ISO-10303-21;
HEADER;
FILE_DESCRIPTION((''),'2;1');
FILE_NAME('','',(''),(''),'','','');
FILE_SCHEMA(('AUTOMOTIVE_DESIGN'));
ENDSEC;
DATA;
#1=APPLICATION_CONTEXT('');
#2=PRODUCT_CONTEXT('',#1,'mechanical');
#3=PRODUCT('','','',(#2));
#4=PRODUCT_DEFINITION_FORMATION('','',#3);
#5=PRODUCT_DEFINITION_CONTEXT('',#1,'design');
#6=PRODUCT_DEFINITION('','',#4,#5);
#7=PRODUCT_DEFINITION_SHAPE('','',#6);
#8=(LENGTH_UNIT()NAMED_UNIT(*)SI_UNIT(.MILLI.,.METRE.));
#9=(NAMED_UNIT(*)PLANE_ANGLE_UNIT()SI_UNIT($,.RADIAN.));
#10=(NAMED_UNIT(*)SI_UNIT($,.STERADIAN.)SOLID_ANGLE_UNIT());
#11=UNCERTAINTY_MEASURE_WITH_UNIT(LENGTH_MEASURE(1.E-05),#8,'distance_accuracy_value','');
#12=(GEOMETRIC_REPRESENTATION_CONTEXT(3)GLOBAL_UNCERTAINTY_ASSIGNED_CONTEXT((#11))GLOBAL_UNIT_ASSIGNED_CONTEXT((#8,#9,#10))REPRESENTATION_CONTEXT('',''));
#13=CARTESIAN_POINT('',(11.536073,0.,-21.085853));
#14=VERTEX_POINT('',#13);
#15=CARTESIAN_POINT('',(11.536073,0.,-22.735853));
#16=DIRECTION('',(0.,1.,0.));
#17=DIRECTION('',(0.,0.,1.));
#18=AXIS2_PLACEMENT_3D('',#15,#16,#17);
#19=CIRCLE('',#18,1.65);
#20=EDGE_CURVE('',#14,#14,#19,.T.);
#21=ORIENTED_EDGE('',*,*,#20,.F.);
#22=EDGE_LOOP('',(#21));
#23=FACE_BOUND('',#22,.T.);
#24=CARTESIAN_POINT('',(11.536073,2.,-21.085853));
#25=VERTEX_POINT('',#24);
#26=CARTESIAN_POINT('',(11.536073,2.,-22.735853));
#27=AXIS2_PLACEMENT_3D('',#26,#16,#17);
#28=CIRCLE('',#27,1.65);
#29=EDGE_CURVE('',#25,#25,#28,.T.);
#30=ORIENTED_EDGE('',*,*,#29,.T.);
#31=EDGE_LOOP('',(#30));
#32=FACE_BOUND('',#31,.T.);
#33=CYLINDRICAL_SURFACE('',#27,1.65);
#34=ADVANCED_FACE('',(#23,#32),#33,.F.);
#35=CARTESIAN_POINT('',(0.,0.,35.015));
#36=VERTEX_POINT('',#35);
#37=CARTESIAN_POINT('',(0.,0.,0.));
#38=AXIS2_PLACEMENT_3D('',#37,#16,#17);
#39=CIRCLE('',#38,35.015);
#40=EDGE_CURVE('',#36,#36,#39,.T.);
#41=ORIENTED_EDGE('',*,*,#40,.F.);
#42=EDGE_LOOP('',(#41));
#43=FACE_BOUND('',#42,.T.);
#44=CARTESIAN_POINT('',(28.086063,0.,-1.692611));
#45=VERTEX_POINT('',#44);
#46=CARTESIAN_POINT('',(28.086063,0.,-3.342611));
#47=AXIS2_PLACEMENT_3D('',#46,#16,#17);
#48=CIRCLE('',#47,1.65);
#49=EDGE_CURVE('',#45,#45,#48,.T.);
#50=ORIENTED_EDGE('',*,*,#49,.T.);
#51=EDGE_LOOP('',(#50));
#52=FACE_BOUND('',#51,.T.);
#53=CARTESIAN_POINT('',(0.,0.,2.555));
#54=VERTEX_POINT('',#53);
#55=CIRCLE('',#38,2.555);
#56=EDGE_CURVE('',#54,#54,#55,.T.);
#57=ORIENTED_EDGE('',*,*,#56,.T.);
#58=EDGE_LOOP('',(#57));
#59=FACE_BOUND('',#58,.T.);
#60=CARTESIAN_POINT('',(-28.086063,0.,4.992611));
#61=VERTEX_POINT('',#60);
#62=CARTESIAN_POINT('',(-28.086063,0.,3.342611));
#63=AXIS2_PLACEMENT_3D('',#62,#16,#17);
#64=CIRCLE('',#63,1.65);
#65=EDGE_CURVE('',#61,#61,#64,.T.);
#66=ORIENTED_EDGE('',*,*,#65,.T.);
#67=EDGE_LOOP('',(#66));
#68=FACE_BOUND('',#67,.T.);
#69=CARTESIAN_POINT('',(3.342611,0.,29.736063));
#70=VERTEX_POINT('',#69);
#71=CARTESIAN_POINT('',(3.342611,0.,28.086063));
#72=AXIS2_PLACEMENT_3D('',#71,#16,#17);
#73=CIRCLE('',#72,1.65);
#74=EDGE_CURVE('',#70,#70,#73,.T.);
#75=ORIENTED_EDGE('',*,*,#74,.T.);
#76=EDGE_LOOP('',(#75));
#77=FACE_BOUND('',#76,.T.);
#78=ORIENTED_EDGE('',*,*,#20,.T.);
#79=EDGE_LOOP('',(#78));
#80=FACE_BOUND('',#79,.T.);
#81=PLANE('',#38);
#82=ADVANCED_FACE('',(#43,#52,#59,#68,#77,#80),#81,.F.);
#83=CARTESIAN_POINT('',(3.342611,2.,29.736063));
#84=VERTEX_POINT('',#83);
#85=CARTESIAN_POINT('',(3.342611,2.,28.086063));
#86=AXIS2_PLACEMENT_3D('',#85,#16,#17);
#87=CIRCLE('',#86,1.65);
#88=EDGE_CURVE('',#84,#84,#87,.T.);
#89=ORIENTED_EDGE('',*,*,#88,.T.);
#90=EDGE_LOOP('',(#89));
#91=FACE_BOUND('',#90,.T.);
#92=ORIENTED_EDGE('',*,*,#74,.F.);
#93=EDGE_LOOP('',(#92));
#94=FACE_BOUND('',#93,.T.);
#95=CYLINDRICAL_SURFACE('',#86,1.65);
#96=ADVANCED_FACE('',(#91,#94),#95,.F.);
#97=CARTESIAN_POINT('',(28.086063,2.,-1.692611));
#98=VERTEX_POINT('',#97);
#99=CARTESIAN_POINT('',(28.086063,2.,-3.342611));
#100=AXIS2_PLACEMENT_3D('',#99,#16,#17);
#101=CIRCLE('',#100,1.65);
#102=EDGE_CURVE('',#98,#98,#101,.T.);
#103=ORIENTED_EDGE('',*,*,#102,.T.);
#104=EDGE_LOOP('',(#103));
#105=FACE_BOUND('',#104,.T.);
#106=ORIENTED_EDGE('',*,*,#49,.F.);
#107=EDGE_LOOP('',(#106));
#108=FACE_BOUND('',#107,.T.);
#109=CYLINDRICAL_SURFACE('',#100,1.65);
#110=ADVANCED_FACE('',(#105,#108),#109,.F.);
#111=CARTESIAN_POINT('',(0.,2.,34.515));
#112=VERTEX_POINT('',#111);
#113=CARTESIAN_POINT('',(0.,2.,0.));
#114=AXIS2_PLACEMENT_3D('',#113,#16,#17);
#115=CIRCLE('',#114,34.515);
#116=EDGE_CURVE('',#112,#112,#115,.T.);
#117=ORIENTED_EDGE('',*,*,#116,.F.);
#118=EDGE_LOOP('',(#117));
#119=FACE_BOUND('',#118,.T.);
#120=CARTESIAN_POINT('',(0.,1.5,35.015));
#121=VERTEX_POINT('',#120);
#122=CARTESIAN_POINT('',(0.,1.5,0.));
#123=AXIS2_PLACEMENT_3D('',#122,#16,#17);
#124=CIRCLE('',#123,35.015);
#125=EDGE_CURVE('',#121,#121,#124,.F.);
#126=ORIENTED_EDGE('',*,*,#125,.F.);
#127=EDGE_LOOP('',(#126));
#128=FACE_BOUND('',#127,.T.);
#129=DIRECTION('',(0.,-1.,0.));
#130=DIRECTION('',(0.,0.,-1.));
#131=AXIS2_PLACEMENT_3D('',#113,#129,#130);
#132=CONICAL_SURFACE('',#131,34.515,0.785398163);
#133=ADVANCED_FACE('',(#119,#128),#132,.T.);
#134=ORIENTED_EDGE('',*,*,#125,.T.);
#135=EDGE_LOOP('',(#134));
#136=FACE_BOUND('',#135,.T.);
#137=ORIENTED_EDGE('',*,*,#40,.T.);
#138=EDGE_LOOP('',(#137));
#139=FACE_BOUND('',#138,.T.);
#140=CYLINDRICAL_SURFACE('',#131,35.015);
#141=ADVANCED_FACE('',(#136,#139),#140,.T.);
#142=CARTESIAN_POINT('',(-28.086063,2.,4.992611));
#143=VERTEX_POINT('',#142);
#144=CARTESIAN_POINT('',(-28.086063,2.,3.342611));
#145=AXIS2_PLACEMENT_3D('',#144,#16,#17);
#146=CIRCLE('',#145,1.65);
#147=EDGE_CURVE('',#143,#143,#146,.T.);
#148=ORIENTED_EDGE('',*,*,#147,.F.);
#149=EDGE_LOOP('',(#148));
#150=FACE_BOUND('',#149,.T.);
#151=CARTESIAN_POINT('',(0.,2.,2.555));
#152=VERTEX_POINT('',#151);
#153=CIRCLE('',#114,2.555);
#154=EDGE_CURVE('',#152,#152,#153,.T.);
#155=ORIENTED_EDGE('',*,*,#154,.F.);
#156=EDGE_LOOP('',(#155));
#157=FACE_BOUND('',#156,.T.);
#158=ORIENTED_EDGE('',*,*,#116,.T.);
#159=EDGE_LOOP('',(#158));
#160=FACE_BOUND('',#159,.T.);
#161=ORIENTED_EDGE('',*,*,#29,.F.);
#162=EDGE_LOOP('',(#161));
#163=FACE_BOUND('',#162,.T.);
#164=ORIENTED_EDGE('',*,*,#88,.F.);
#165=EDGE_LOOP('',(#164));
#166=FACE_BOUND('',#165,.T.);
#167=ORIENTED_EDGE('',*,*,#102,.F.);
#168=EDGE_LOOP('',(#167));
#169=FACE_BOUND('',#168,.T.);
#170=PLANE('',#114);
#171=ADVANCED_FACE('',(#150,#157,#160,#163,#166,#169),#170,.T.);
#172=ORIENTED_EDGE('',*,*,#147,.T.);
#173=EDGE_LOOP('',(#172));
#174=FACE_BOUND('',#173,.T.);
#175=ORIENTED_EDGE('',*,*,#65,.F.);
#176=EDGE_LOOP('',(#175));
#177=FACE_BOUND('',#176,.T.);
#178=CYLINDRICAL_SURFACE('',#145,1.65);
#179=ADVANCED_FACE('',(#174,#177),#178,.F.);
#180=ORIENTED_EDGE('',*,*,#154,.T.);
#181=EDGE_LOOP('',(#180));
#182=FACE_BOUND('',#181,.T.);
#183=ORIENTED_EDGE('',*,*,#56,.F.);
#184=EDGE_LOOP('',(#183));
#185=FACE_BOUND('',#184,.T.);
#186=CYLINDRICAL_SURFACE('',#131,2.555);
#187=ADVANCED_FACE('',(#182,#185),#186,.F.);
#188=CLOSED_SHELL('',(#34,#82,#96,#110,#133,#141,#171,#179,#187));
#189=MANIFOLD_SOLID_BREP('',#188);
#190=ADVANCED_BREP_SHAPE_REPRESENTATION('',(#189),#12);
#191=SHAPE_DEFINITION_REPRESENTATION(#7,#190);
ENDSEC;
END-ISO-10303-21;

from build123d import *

# Parameters (mm, degrees)
SKETCH1_R             = 35.015
SKETCH1_R_2           = 2.555
BOSS_EXTRUDE1_DEPTH   = 2
CHAMFER1_SIZE         = 0.5
M4X0_7_TAPPED_HOLE1_D = 3.3


with BuildPart() as part:
    # Sketch1 → Boss-Extrude1 (new body)
    with BuildSketch(Plane(origin=(0, 0, 0), x_dir=(1, 0, 0), z_dir=(0, 1, 0))):
        Circle(SKETCH1_R)
        Circle(SKETCH1_R_2, mode=Mode.SUBTRACT)
    extrude(amount=BOSS_EXTRUDE1_DEPTH)

    # Chamfer1
    chamfer1_edges = [part.edges().sort_by_distance(p)[0] for p in [
        (-35.015, 2, 0),
    ]]
    chamfer(chamfer1_edges, length=CHAMFER1_SIZE)

    # M4x0.7 Tapped Hole1 (through all)
    with Locations(Plane(origin=(3.342611255, 2, 28.08606327), x_dir=(0, 0, 1), z_dir=(0, 1, 0))):
        with Locations((0, 0), (-24.743452015, -31.428674525), (-50.82191635, 8.193461939), (-31.428674525, 24.743452015)):
            Hole(M4X0_7_TAPPED_HOLE1_D / 2)


solid = part.part
